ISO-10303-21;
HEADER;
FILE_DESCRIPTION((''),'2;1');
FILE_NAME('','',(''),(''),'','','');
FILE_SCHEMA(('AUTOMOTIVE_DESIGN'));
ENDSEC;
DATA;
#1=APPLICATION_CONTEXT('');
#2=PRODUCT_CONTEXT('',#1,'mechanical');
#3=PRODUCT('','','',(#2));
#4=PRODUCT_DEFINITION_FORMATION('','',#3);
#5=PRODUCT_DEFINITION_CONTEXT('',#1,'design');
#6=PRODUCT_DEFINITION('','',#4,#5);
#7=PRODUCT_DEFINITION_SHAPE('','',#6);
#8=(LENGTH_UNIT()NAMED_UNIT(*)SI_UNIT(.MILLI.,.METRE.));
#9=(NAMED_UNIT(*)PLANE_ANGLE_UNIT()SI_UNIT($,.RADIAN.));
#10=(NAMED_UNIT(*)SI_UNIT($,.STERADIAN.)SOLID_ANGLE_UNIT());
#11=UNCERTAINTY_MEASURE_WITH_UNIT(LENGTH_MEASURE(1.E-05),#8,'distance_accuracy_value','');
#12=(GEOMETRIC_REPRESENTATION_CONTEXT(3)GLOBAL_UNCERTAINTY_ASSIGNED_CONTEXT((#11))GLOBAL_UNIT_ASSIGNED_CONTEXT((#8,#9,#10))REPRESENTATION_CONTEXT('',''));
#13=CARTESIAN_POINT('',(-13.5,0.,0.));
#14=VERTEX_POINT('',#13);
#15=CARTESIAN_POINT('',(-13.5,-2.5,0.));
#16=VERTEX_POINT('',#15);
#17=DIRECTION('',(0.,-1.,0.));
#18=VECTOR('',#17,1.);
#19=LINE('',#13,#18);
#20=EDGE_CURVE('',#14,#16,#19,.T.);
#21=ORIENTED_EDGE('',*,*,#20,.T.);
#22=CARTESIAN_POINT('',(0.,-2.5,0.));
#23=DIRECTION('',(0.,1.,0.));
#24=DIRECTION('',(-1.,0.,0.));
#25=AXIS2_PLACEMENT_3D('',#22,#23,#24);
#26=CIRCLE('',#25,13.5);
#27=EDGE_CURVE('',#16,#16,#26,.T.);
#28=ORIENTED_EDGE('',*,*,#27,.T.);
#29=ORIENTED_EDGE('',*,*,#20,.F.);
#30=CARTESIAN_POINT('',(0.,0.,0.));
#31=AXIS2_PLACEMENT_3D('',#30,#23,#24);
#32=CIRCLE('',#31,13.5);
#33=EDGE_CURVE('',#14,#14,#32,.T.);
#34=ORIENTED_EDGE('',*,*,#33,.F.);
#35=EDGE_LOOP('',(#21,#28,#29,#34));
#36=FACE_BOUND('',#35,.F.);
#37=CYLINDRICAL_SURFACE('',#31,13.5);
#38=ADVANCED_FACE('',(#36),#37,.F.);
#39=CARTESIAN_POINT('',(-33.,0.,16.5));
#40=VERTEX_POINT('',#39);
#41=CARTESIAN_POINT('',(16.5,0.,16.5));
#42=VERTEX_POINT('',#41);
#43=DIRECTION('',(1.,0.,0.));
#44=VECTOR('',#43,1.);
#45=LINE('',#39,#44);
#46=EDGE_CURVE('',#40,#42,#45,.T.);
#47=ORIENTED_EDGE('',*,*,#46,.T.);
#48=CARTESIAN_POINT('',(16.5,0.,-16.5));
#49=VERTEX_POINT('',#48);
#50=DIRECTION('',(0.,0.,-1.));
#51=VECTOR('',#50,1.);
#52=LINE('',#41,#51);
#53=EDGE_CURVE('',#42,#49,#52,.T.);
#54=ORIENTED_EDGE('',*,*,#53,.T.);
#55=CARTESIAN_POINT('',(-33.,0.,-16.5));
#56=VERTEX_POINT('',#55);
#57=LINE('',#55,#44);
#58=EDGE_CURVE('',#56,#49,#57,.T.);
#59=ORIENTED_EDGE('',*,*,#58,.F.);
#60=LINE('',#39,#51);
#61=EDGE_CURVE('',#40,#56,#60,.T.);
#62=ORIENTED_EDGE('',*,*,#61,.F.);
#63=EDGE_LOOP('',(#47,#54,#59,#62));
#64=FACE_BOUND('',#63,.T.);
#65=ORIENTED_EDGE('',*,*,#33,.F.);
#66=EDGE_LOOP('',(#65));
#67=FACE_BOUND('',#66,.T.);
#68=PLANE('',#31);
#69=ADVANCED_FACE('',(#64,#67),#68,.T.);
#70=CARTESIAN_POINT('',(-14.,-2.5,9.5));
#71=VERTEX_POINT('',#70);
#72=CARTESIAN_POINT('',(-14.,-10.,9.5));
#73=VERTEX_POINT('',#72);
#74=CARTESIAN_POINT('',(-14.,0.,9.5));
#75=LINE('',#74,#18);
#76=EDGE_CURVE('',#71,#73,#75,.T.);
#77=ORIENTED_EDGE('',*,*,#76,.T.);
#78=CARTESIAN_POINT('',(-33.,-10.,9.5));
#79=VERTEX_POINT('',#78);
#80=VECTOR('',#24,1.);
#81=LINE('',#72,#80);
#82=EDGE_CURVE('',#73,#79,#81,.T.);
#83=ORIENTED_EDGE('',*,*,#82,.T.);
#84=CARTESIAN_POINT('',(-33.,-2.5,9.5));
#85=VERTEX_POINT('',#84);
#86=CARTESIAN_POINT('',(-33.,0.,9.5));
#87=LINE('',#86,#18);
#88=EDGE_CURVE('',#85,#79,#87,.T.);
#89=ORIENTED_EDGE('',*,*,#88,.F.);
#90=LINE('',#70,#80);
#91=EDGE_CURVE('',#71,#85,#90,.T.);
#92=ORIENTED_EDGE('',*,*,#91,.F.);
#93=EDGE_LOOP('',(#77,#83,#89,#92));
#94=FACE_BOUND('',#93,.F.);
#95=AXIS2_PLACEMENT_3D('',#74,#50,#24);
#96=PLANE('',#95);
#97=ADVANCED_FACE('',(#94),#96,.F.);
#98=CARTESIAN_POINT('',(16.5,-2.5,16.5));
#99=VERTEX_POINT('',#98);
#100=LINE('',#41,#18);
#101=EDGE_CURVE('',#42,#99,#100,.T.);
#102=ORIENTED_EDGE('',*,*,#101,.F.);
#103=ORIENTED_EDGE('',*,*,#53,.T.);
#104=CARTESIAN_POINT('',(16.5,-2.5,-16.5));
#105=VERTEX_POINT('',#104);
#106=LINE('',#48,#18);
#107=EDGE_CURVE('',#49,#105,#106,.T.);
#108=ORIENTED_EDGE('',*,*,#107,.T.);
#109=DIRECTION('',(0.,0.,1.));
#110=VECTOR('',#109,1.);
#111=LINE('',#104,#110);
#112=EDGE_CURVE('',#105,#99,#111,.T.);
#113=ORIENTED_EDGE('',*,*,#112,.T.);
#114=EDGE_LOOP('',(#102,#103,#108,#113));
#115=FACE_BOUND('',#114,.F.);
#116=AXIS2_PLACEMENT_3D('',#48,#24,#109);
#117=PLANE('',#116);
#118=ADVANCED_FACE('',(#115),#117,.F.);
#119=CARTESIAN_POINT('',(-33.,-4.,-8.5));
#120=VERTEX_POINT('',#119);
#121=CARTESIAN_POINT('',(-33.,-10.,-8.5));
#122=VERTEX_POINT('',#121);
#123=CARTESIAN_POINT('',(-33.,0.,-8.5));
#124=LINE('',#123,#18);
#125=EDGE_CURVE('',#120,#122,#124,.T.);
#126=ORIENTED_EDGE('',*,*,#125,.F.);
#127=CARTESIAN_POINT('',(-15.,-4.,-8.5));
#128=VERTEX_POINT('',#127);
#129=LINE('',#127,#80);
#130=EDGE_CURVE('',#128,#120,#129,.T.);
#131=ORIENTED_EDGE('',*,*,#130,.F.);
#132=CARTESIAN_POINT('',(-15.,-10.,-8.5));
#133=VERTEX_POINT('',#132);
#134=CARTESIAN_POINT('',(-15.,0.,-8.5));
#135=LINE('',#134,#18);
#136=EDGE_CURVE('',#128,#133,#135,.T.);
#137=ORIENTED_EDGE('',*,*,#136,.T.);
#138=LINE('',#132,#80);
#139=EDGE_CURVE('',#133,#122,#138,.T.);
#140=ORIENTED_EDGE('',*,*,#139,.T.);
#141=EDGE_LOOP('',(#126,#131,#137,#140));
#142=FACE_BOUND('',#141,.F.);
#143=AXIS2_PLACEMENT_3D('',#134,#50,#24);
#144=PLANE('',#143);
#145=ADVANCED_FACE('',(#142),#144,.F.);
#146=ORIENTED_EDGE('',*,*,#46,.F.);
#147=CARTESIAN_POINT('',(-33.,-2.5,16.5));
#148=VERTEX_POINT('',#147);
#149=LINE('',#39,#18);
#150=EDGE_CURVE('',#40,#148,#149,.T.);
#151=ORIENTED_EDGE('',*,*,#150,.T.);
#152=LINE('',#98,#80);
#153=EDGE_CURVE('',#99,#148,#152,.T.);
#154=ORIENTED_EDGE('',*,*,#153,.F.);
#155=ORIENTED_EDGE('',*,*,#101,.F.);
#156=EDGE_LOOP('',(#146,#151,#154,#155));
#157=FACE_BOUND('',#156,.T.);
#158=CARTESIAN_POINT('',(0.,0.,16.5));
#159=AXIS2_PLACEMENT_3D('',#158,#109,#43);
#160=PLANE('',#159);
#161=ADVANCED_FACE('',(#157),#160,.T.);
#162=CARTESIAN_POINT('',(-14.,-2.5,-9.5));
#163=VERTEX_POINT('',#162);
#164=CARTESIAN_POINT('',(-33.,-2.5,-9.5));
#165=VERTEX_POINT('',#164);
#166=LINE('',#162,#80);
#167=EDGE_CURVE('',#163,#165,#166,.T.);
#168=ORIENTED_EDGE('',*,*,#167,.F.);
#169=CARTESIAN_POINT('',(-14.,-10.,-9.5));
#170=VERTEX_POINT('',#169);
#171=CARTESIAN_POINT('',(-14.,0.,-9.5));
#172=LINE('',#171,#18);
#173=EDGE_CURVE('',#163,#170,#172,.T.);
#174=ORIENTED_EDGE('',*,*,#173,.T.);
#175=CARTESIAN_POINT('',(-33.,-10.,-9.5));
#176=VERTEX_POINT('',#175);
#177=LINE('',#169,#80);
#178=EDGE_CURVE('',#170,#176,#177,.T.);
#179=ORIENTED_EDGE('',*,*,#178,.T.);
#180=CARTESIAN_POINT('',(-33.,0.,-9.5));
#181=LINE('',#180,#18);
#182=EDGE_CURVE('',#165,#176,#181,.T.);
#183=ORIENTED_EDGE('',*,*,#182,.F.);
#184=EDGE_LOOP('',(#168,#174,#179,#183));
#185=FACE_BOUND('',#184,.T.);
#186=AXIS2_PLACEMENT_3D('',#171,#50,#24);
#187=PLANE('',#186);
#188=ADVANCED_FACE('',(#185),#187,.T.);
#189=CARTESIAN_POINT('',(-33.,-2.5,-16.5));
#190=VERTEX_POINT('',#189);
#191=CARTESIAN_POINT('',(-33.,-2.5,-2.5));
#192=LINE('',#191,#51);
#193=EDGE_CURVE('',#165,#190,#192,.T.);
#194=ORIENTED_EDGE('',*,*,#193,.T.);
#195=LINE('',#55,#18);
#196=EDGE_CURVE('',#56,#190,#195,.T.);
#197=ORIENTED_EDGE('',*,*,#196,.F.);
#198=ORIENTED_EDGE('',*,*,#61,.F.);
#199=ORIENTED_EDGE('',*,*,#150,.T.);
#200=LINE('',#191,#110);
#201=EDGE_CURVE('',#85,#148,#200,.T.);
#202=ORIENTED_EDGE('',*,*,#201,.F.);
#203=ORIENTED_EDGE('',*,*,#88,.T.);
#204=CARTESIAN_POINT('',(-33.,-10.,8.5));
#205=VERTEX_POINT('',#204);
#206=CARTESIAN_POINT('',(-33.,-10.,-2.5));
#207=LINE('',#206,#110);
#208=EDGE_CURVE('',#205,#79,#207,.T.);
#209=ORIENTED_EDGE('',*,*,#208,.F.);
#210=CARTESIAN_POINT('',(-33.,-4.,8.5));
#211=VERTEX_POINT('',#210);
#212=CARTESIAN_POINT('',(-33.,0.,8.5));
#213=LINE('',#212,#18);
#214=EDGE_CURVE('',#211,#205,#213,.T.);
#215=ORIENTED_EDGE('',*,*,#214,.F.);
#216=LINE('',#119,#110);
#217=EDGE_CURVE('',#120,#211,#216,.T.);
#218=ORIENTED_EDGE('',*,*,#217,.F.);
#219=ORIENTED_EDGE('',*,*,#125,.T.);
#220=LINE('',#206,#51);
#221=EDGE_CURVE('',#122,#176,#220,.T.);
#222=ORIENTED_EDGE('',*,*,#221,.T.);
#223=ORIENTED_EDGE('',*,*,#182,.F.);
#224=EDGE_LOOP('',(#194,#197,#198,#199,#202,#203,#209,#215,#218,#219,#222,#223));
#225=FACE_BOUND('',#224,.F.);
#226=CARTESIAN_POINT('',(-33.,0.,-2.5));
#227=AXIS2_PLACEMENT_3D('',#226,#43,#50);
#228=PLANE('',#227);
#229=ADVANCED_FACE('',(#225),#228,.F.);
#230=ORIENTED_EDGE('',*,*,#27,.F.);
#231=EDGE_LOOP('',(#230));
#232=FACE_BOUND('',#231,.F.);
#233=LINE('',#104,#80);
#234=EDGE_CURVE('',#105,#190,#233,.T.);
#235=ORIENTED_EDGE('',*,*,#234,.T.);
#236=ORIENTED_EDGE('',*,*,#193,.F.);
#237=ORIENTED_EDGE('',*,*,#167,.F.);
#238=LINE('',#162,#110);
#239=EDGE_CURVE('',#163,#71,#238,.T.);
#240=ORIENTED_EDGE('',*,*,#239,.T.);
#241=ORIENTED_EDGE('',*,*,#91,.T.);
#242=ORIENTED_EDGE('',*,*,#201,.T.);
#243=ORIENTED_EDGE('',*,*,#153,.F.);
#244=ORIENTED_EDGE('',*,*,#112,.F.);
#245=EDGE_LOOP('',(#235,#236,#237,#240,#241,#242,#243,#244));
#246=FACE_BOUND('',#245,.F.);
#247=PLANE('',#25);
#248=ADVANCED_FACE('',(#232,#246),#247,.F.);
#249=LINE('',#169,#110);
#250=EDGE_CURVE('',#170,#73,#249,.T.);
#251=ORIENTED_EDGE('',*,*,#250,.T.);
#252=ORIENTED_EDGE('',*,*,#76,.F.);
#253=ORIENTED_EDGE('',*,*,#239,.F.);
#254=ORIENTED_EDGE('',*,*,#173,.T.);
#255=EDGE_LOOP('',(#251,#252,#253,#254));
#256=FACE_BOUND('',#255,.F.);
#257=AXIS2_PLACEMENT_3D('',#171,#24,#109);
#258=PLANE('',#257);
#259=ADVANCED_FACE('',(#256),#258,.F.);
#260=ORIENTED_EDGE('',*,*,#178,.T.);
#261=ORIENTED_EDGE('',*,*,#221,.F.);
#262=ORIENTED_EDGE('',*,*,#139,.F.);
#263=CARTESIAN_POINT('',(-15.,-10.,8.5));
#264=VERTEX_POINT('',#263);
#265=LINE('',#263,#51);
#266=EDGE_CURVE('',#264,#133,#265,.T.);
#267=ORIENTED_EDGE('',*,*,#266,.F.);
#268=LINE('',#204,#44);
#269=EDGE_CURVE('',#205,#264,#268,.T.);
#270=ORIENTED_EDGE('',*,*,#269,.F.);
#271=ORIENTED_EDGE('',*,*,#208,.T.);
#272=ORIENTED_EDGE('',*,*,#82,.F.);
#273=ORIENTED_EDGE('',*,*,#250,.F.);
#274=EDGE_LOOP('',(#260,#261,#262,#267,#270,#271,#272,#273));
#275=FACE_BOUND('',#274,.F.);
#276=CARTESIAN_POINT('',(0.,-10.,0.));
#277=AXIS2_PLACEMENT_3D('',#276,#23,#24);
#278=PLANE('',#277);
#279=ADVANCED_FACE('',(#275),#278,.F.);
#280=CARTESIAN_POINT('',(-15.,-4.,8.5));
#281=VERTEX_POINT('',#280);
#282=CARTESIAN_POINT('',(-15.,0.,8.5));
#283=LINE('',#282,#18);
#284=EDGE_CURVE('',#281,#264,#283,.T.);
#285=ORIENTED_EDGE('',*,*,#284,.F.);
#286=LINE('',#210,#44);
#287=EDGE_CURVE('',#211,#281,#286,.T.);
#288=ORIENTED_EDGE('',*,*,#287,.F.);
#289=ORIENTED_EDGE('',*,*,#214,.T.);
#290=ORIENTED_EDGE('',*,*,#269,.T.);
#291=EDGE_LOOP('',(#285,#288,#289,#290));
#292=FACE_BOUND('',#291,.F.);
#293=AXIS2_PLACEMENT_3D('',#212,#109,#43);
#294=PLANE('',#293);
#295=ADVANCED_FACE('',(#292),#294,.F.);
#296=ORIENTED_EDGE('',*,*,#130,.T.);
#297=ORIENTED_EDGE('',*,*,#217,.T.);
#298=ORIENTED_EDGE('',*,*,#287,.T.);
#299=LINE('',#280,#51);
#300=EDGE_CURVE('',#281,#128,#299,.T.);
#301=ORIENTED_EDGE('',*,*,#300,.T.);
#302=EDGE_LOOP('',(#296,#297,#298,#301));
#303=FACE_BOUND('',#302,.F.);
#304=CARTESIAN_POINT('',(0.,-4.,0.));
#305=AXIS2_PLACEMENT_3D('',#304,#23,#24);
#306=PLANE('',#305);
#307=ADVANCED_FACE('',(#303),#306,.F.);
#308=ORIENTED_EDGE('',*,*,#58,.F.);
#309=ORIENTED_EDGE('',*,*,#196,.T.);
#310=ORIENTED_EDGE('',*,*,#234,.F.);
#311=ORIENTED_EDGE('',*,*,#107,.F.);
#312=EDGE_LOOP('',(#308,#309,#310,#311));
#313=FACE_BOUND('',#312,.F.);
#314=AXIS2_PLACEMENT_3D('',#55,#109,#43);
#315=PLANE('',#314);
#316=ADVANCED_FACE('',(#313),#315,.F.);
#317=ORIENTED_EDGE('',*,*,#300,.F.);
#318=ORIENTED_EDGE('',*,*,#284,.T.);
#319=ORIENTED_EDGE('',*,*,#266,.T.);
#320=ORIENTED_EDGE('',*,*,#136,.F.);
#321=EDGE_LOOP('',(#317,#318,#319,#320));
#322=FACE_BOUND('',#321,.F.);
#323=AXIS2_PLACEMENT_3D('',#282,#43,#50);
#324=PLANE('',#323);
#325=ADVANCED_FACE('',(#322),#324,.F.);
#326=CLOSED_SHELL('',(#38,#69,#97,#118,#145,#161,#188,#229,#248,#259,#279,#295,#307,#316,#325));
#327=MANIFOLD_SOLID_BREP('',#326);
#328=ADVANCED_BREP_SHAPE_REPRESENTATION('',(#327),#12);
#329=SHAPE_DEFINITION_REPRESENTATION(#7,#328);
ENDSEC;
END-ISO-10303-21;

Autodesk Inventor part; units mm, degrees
ref_plane "YZ Plane" through (0, 0, 0) normal (1, 0, 0) x (0, 1, 0)
ref_plane "XZ Plane" through (0, 0, 0) normal (0, 1, 0) x (-1, 0, 0)
ref_plane "XY Plane" through (0, 0, 0) normal (0, 0, 1) x (1, 0, 0)
sketch "Sketch1" plane through (0, 0, 0) normal (0, 1, 0) x (-1, 0, 0)
  circle A0 centre (0, 0) radius 13.5
  line L0 (0, -13.5) -> (30, -13.5) construction
  line L1 (0, 13.5) -> (30, 13.5) construction
  line L2 (30, 13.5) -> (30, -13.5) construction
  line L3 (0, -13.5) -> (16, -13.5) construction
  line L4 (0, 13.5) -> (16, 13.5) construction
  line L5 (16, 13.5) -> (16, -13.5) construction
  line L6 (30, 13.5) -> (30, 9.5) construction
  line L7 (30, -13.5) -> (30, -9.5) construction
  line L8 (0, -13.5) -> (0, -16.5) construction
  line L9 (0, 13.5) -> (0, 16.5) construction
  line L10 (30, -2.5) -> (33, -2.5) construction
  line L11 (-13.5, 0) -> (-16.5, 0) construction
  line L12 (33, -2.5) -> (33, -16.5)
  line L13 (33, -16.5) -> (0, -16.5)
  line L14 (33, -2.5) -> (33, 16.5)
  line L15 (33, 16.5) -> (0, 16.5)
  line L16 (0, 16.5) -> (-16.5, 16.5)
  line L17 (-16.5, 0) -> (-16.5, 16.5)
  line L18 (0, -16.5) -> (-16.5, -16.5)
  line L19 (-16.5, -16.5) -> (-16.5, 0)
  line L20 (0, 13.5) -> (14, 13.5) construction
  line L21 (0, -13.5) -> (14, -13.5) construction
  line L22 (14, 13.5) -> (14, -13.5) construction
  line L23 (33, 9.5) -> (33, 10.5) construction
  line L24 (33, -9.5) -> (33, -10.5) construction
  line L25 (14, -11.5) -> (14, -6.5) construction
  line L26 (14, 10.5) -> (14, 5.5) construction
  line L27 (0, -13.5) -> (15, -13.5) construction
  line L28 (0, 13.5) -> (15, 13.5) construction
  line L29 (15, 13.5) -> (15, -13.5) construction
  line L30 (14, -11.5) -> (14, -6.5) construction
  line L31 (14, -13.5) -> (14, -8.5) construction
  line L32 (14, 13.5) -> (14, 8.5) construction
  line L33 (14, 8.5) -> (30, 8.5) construction
  line L34 (14, -8.5) -> (30, -8.5) construction
  line L35 (16, -8.5) -> (16, -9.5) construction
  line L36 (16, 8.5) -> (16, 9.5) construction
  line L37 (16, 8.5) -> (16, 7.5) construction
  line L38 (16, -8.5) -> (16, -7.5) construction
  line L39 (30, -9.5) -> (14, -9.5) construction
  line L40 (30, 9.5) -> (14, 9.5) construction
  line L41 (14, -9.5) -> (33, -9.5)
  line L42 (14, 9.5) -> (33, 9.5)
  line L43 (33, 8.5) -> (15, 8.5)
  line L44 (15, 8.5) -> (15, -8.5)
  line L45 (15, -8.5) -> (33, -8.5)
  line L46 (14, -9.5) -> (14, 9.5)
  line L47 (33, -9.5) -> (33, 8.5)
  dimension "d0" = 27
  dimension "d1" = 30
  dimension "d2" = 30
  dimension "d3" = 16
  dimension "d4" = 16
  dimension "d5" = 4
  dimension "d6" = 4
  dimension "d7" = 3
  dimension "d8" = 3
  dimension "d9" = 3
  dimension "d10" = 3
  dimension "d16" = 14
  dimension "d17" = 14
  dimension "d26" = 15
  dimension "d27" = 15
  dimension "d29" = 5
  dimension "d30" = 5
  dimension "d31" = 1
  dimension "d32" = 1
  dimension "d33" = 1
  dimension "d34" = 1
extrude "Extrusion5" add sketch "Sketch1" against normal blind 2.5 contours L12 L13 L18 L19 L17 L16 L15 L14 L42 L46 L41
extrude "Extrusion6" add sketch "Sketch1" against normal blind 10 contours L12 L41 L46 L42 L14 L43 L44 L45
extrude "Extrusion7" add sketch "Sketch1" against normal blind 4 contours L12 L45 L44 L43 L14
properties part number "joystick_test_v2_3DPrint"
